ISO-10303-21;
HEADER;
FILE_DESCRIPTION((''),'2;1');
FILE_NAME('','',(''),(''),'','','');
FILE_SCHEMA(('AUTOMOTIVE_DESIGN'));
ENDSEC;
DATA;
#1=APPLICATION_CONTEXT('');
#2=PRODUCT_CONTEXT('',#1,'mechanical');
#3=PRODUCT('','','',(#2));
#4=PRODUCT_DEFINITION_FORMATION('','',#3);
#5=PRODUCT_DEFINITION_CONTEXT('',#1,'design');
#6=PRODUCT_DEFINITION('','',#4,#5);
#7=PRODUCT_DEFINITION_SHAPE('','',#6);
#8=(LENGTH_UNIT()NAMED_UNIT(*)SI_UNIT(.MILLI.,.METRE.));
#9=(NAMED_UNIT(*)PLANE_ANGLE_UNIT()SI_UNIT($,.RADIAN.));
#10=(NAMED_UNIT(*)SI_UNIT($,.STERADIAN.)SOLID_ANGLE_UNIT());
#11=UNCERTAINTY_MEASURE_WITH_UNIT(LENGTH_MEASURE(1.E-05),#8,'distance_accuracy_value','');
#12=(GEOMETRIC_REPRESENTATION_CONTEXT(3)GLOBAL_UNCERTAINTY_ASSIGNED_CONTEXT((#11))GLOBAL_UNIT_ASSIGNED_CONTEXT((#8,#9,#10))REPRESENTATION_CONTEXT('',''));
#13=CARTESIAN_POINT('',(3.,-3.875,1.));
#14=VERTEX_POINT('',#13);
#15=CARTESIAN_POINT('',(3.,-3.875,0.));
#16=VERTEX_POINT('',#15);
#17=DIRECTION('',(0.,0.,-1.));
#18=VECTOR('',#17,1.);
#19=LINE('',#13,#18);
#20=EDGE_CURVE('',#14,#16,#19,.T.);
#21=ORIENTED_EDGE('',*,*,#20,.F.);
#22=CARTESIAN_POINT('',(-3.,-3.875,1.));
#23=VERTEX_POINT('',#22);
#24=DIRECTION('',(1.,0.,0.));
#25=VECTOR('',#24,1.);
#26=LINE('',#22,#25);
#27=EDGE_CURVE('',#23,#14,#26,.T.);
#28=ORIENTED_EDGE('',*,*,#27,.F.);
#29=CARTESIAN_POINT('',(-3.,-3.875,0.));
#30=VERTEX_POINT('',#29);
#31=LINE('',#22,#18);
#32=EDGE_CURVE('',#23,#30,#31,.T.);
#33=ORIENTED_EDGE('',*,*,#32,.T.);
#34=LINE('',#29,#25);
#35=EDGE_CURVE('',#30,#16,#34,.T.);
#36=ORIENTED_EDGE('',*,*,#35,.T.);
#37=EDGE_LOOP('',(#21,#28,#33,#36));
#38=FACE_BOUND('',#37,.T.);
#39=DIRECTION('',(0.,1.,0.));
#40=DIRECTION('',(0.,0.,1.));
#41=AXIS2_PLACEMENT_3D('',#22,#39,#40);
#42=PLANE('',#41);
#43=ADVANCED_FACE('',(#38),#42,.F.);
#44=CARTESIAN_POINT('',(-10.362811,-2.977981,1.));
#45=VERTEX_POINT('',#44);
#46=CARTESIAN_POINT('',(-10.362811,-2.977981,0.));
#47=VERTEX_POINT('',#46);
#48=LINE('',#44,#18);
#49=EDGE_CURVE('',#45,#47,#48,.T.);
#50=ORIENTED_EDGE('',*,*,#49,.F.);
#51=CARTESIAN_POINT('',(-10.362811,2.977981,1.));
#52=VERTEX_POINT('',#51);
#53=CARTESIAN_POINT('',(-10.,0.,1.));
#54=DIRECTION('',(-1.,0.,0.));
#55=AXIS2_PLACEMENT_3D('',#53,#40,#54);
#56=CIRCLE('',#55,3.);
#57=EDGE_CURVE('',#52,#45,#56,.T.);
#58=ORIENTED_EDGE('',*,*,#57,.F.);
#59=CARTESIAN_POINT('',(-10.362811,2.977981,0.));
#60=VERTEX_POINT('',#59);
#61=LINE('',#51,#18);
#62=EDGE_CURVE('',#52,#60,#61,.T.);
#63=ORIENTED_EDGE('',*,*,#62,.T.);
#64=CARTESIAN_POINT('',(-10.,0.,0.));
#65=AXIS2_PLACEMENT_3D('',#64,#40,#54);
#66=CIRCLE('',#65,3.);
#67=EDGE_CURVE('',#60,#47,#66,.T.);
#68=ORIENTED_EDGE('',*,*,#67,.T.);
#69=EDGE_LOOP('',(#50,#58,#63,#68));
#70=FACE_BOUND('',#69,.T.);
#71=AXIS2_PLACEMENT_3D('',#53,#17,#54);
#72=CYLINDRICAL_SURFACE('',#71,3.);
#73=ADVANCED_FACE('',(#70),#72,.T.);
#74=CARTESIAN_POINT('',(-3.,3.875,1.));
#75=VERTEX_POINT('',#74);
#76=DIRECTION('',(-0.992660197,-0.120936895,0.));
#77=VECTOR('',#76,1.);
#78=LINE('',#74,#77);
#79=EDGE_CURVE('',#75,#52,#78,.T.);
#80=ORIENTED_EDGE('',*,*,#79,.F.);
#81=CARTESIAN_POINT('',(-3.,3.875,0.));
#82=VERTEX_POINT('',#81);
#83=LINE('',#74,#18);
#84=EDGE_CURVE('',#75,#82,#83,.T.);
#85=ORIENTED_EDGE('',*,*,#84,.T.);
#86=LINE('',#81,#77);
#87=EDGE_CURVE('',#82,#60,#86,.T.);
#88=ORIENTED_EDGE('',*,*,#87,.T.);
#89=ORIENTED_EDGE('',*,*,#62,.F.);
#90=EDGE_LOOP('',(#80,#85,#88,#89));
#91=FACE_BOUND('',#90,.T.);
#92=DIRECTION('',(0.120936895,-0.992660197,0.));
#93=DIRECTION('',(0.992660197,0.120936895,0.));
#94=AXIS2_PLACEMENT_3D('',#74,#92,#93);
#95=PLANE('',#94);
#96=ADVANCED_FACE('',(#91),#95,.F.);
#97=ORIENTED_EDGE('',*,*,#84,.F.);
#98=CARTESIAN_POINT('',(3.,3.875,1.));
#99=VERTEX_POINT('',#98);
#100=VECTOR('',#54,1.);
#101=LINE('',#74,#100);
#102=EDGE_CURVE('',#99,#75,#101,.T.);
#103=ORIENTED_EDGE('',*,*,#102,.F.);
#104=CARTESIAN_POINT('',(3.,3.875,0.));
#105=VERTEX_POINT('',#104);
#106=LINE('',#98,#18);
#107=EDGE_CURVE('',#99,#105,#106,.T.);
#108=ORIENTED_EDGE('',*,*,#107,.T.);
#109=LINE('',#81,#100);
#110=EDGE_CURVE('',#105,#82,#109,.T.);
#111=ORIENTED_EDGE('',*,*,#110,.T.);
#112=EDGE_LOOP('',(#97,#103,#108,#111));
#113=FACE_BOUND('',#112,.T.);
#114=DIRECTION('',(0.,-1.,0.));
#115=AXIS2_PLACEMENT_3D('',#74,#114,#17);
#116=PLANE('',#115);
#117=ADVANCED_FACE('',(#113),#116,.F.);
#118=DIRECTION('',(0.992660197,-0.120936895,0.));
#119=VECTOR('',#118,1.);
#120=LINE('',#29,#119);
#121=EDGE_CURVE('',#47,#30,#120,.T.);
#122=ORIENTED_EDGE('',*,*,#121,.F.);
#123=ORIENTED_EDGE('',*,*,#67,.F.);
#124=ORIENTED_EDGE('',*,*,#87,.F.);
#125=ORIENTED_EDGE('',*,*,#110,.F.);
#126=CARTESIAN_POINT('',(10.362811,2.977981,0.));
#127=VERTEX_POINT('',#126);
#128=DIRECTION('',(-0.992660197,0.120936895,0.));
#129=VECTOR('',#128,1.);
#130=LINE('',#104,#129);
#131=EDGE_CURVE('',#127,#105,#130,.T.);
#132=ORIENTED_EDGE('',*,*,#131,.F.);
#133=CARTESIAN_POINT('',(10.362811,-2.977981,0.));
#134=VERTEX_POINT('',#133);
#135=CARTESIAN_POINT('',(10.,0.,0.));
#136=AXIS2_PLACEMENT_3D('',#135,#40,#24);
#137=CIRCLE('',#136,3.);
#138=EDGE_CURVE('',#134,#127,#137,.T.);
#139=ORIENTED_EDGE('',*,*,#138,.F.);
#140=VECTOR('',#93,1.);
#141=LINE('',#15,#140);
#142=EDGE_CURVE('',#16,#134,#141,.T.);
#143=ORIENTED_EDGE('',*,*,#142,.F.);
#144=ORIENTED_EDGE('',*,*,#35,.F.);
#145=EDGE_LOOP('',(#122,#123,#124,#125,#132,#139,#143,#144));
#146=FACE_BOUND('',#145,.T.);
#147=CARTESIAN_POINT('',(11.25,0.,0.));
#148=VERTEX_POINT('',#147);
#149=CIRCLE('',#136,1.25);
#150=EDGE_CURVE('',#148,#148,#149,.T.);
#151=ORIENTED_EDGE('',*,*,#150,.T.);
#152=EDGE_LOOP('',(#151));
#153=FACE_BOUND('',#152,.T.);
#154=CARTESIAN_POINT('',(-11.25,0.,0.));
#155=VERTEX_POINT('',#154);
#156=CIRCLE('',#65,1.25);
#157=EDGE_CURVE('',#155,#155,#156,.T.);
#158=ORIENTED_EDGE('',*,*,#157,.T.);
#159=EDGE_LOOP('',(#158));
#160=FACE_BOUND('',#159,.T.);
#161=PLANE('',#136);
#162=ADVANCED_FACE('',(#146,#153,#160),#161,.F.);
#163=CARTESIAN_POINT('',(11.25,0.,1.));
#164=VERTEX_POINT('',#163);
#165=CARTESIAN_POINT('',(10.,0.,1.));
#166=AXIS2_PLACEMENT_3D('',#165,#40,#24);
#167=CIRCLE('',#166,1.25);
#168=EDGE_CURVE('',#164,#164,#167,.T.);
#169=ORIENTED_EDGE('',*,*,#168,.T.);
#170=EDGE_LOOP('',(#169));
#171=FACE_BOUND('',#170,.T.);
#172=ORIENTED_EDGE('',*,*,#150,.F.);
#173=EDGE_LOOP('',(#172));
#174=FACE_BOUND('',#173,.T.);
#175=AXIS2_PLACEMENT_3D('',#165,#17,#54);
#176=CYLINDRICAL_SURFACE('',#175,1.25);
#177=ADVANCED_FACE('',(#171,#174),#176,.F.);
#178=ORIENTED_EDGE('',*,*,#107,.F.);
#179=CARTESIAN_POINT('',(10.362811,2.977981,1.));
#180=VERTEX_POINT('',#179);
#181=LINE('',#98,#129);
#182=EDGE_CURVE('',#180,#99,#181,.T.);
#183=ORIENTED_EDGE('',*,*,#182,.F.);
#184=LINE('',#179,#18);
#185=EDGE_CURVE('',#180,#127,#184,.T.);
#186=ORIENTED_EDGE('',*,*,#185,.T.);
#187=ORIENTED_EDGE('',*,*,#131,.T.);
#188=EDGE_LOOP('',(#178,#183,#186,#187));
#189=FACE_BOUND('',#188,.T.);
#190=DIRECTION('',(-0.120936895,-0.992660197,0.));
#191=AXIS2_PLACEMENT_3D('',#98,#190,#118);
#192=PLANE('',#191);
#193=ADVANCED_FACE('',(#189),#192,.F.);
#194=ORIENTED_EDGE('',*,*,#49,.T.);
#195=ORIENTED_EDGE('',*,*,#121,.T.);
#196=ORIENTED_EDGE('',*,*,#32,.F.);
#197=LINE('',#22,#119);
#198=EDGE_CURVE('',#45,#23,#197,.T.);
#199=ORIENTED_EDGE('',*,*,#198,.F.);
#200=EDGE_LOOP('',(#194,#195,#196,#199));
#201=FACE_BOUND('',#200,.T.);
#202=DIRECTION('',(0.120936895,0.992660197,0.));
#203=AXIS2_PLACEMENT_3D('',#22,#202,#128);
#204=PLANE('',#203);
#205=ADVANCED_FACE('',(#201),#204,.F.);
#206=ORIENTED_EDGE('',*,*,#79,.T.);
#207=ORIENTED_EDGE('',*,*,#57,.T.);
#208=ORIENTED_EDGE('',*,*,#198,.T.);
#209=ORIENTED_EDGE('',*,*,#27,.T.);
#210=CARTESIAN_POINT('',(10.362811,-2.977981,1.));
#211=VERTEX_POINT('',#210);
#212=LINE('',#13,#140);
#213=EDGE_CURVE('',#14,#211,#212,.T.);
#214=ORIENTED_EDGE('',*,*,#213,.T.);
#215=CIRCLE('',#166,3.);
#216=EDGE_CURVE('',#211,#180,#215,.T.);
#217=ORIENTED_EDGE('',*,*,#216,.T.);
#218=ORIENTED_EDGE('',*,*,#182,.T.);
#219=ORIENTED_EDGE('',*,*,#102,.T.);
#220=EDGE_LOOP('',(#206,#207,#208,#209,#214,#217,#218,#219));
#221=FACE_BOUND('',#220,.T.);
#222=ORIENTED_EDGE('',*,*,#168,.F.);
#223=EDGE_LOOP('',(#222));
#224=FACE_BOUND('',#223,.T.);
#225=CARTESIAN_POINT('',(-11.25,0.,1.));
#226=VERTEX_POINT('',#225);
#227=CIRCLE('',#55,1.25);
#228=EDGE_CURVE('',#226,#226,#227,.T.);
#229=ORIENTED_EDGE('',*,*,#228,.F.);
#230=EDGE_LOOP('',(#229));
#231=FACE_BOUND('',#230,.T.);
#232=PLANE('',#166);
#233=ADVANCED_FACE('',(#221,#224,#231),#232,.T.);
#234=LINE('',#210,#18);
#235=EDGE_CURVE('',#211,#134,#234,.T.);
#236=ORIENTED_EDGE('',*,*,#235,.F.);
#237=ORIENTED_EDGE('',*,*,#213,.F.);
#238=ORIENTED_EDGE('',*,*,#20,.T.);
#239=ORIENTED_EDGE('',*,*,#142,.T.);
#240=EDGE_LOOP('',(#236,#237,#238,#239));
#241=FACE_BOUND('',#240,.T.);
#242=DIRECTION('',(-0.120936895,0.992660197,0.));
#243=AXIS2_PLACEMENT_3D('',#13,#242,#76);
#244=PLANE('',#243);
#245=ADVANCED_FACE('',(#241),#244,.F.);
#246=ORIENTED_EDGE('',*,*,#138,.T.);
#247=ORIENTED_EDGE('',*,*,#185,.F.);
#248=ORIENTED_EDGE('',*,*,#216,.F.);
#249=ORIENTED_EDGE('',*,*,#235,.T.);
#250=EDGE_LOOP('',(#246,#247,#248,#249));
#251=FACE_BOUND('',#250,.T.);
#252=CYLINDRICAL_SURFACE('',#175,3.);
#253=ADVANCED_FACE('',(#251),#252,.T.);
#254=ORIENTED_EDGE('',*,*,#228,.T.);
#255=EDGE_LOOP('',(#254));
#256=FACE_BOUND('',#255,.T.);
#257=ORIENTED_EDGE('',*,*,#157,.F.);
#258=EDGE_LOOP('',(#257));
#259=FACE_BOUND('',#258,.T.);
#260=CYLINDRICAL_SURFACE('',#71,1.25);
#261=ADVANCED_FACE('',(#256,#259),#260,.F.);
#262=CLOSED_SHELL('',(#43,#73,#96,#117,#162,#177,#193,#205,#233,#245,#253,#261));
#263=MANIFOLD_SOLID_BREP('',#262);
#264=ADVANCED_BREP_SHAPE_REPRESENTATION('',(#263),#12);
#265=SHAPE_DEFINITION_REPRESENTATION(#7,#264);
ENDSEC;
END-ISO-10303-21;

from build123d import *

# Parameters (mm, degrees)
CROQUIS1_R              = 1.25
SALIENTE_EXTRUIR1_DEPTH = 1


with BuildPart() as part:
    # Croquis1 → Saliente-Extruir1 (new body)
    with BuildSketch(Plane.XY):
        with BuildLine():
            Line((3, 3.875), (10.362810685, 2.977980592))
            ThreePointArc((10.362810685, 2.977980592), (13, 0), (10.362810685, -2.977980592))
            Line((10.362810685, -2.977980592), (3, -3.875))
            Line((3, -3.875), (-3, -3.875))
            Line((-3, -3.875), (-10.362810685, -2.977980592))
            ThreePointArc((-10.362810685, -2.977980592), (-13, 0), (-10.362810685, 2.977980592))
            Line((-10.362810685, 2.977980592), (-3, 3.875))
            Line((-3, 3.875), (3, 3.875))
        make_face()
        with Locations((10, 0)):
            Circle(CROQUIS1_R, mode=Mode.SUBTRACT)
        with Locations(Location((-10, 0, 0), (0, 0, 180))):
            Circle(CROQUIS1_R, mode=Mode.SUBTRACT)
    extrude(amount=SALIENTE_EXTRUIR1_DEPTH)


solid = part.part
